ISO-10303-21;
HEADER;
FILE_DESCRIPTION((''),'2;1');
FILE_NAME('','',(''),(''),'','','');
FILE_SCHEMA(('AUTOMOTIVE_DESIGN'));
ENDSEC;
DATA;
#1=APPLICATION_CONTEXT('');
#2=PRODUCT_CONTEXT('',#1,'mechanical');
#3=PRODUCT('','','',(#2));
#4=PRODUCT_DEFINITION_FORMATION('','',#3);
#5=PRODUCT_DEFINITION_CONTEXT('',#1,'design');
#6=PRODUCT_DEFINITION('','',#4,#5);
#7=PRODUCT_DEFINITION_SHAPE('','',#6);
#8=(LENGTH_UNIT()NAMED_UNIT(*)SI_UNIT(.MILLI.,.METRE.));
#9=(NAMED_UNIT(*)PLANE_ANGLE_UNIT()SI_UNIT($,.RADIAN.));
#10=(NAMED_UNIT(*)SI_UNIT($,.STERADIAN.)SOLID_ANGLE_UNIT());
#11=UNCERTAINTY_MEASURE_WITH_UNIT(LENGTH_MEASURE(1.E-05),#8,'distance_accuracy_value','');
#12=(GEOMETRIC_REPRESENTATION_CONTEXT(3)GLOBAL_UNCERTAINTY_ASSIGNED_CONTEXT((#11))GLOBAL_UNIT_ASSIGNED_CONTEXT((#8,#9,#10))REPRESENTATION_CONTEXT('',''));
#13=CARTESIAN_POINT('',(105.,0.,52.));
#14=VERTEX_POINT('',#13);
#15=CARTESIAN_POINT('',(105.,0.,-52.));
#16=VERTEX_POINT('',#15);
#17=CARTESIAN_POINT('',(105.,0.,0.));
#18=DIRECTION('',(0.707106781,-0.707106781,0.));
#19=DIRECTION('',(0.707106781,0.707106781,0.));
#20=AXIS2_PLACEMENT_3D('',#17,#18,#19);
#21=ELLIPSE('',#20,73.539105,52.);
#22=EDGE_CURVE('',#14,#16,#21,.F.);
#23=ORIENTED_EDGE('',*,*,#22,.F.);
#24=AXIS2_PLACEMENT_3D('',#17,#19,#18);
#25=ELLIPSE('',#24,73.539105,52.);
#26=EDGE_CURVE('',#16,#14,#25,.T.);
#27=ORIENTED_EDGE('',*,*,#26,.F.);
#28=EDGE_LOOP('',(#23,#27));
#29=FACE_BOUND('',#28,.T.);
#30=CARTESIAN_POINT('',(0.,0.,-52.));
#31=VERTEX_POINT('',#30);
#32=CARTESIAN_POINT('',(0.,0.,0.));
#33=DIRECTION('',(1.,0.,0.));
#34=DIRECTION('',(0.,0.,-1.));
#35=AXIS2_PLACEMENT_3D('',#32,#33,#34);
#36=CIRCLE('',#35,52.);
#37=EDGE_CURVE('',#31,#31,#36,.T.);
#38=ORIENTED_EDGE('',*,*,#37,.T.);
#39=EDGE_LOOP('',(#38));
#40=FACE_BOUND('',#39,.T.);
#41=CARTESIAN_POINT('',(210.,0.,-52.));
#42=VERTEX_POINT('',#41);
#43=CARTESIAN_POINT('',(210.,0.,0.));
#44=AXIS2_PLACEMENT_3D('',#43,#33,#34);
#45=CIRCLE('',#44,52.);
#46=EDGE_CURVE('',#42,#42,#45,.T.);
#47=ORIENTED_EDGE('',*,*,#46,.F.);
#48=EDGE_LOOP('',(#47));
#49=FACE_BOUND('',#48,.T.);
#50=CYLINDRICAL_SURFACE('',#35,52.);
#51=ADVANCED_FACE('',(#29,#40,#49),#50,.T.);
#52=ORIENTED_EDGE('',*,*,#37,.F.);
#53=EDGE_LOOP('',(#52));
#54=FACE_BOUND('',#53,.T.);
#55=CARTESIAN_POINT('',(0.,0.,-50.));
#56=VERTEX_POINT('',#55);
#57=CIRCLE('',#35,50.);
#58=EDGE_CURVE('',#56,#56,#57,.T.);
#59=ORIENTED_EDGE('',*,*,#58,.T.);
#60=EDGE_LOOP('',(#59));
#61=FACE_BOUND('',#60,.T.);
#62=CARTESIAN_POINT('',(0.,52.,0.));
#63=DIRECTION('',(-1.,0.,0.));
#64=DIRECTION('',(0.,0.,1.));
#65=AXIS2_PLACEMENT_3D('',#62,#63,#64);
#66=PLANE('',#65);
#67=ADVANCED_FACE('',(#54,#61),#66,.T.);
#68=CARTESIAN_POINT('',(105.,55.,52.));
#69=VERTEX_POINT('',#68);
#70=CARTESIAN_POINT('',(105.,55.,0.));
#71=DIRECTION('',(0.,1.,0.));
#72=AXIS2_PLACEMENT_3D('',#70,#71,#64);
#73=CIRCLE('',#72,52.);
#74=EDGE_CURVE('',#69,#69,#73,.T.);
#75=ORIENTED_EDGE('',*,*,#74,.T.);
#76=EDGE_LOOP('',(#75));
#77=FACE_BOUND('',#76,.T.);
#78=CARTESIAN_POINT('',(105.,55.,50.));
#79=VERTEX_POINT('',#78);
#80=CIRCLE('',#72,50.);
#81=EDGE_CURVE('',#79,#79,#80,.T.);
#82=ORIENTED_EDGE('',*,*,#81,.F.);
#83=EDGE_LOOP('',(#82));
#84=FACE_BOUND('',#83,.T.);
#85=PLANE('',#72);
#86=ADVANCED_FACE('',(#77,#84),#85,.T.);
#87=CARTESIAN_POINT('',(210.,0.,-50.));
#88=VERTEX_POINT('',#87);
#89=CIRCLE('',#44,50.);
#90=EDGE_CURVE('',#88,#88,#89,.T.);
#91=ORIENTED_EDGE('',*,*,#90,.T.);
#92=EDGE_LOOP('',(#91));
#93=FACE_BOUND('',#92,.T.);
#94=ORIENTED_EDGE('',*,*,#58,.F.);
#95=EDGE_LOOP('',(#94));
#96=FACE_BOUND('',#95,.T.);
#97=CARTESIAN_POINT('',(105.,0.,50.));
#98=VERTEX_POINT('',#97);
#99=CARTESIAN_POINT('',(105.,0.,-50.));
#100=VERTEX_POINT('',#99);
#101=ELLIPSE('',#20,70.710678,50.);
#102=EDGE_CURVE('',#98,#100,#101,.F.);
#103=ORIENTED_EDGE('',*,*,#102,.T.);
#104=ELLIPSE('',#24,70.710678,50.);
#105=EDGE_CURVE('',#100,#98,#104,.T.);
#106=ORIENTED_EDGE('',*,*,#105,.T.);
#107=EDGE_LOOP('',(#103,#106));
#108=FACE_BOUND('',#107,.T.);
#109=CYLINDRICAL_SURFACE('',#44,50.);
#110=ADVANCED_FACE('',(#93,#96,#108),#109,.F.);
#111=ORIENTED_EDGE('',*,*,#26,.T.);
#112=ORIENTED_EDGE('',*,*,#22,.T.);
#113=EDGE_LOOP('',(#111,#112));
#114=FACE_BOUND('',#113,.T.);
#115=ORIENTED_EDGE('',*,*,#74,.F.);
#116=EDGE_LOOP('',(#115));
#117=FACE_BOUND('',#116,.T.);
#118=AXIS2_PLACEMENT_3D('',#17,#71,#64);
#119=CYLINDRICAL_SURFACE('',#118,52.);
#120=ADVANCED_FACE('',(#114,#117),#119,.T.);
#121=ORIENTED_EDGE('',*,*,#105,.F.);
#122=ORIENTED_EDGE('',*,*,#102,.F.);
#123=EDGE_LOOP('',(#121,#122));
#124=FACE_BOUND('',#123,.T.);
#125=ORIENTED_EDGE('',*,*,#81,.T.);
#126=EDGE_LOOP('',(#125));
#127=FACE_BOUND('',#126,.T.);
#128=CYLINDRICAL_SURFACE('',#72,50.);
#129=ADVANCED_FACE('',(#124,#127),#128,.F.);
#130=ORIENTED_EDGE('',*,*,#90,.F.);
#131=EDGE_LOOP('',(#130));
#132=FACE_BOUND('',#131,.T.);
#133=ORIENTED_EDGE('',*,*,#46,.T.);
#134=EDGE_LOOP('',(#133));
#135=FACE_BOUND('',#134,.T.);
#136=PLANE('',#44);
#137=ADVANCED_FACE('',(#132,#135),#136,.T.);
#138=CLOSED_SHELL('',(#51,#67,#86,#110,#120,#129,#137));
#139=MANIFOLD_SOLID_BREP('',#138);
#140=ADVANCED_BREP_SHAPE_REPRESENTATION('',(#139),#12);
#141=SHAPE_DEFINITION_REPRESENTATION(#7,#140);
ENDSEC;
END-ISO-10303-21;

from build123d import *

# Parameters (mm, degrees)
SKETCH1_W                  = 210
SKETCH1_H                  = 52
SKETCH2_W                  = 52
SKETCH2_H                  = 55
M90_CLEARANCE_HOLE1_D      = 100
M90_CLEARANCE_HOLE2_REACH  = 243.357
M90_CLEARANCE_HOLE2_BORE_R = 50


with BuildPart() as part:
    # Sketch1 → Revolve1 (revolve)
    with BuildSketch(Plane.XY, mode=Mode.PRIVATE) as revolve1_sk:
        with Locations((105, 26)):
            Rectangle(SKETCH1_W, SKETCH1_H)
    revolve(revolve1_sk.sketch.rotate(Axis((0, 0, 0), (1, 0, 0)), 270), axis=Axis((0, 0, 0), (1, 0, 0)))

    # Sketch2 → Revolve2 (revolve)
    with BuildSketch(Plane.XY, mode=Mode.PRIVATE) as revolve2_sk:
        with Locations((79, 27.5)):
            Rectangle(SKETCH2_W, SKETCH2_H)
    revolve(revolve2_sk.sketch.rotate(Axis((105, 0, 0), (0, 1, 0)), 90), axis=Axis((105, 0, 0), (0, 1, 0)))

    # M90 Clearance Hole1 (through all)
    with Locations(Plane(origin=(210, 0, 0), x_dir=(0, 0, -1), z_dir=(1, 0, 0))):
        with Locations((0, 0)):
            Hole(M90_CLEARANCE_HOLE1_D / 2)

    # M90 Clearance Hole2 bore → M90 Clearance Hole2 (cut, up to next)
    with BuildSketch(Plane(origin=(0, 55, 0), x_dir=(1, 0, 0), z_dir=(0, 1, 0)), mode=Mode.PRIVATE) as m90_clearance_hole2_sk1:
        with Locations((105, 0)):
            Circle(M90_CLEARANCE_HOLE2_BORE_R)
    m90_clearance_hole2_tool1 = extrude(m90_clearance_hole2_sk1.sketch, amount=-M90_CLEARANCE_HOLE2_REACH, mode=Mode.PRIVATE) & part.part
    add(m90_clearance_hole2_tool1.solids().sort_by_distance((105, 55, 0))[0], mode=Mode.SUBTRACT)


solid = part.part
